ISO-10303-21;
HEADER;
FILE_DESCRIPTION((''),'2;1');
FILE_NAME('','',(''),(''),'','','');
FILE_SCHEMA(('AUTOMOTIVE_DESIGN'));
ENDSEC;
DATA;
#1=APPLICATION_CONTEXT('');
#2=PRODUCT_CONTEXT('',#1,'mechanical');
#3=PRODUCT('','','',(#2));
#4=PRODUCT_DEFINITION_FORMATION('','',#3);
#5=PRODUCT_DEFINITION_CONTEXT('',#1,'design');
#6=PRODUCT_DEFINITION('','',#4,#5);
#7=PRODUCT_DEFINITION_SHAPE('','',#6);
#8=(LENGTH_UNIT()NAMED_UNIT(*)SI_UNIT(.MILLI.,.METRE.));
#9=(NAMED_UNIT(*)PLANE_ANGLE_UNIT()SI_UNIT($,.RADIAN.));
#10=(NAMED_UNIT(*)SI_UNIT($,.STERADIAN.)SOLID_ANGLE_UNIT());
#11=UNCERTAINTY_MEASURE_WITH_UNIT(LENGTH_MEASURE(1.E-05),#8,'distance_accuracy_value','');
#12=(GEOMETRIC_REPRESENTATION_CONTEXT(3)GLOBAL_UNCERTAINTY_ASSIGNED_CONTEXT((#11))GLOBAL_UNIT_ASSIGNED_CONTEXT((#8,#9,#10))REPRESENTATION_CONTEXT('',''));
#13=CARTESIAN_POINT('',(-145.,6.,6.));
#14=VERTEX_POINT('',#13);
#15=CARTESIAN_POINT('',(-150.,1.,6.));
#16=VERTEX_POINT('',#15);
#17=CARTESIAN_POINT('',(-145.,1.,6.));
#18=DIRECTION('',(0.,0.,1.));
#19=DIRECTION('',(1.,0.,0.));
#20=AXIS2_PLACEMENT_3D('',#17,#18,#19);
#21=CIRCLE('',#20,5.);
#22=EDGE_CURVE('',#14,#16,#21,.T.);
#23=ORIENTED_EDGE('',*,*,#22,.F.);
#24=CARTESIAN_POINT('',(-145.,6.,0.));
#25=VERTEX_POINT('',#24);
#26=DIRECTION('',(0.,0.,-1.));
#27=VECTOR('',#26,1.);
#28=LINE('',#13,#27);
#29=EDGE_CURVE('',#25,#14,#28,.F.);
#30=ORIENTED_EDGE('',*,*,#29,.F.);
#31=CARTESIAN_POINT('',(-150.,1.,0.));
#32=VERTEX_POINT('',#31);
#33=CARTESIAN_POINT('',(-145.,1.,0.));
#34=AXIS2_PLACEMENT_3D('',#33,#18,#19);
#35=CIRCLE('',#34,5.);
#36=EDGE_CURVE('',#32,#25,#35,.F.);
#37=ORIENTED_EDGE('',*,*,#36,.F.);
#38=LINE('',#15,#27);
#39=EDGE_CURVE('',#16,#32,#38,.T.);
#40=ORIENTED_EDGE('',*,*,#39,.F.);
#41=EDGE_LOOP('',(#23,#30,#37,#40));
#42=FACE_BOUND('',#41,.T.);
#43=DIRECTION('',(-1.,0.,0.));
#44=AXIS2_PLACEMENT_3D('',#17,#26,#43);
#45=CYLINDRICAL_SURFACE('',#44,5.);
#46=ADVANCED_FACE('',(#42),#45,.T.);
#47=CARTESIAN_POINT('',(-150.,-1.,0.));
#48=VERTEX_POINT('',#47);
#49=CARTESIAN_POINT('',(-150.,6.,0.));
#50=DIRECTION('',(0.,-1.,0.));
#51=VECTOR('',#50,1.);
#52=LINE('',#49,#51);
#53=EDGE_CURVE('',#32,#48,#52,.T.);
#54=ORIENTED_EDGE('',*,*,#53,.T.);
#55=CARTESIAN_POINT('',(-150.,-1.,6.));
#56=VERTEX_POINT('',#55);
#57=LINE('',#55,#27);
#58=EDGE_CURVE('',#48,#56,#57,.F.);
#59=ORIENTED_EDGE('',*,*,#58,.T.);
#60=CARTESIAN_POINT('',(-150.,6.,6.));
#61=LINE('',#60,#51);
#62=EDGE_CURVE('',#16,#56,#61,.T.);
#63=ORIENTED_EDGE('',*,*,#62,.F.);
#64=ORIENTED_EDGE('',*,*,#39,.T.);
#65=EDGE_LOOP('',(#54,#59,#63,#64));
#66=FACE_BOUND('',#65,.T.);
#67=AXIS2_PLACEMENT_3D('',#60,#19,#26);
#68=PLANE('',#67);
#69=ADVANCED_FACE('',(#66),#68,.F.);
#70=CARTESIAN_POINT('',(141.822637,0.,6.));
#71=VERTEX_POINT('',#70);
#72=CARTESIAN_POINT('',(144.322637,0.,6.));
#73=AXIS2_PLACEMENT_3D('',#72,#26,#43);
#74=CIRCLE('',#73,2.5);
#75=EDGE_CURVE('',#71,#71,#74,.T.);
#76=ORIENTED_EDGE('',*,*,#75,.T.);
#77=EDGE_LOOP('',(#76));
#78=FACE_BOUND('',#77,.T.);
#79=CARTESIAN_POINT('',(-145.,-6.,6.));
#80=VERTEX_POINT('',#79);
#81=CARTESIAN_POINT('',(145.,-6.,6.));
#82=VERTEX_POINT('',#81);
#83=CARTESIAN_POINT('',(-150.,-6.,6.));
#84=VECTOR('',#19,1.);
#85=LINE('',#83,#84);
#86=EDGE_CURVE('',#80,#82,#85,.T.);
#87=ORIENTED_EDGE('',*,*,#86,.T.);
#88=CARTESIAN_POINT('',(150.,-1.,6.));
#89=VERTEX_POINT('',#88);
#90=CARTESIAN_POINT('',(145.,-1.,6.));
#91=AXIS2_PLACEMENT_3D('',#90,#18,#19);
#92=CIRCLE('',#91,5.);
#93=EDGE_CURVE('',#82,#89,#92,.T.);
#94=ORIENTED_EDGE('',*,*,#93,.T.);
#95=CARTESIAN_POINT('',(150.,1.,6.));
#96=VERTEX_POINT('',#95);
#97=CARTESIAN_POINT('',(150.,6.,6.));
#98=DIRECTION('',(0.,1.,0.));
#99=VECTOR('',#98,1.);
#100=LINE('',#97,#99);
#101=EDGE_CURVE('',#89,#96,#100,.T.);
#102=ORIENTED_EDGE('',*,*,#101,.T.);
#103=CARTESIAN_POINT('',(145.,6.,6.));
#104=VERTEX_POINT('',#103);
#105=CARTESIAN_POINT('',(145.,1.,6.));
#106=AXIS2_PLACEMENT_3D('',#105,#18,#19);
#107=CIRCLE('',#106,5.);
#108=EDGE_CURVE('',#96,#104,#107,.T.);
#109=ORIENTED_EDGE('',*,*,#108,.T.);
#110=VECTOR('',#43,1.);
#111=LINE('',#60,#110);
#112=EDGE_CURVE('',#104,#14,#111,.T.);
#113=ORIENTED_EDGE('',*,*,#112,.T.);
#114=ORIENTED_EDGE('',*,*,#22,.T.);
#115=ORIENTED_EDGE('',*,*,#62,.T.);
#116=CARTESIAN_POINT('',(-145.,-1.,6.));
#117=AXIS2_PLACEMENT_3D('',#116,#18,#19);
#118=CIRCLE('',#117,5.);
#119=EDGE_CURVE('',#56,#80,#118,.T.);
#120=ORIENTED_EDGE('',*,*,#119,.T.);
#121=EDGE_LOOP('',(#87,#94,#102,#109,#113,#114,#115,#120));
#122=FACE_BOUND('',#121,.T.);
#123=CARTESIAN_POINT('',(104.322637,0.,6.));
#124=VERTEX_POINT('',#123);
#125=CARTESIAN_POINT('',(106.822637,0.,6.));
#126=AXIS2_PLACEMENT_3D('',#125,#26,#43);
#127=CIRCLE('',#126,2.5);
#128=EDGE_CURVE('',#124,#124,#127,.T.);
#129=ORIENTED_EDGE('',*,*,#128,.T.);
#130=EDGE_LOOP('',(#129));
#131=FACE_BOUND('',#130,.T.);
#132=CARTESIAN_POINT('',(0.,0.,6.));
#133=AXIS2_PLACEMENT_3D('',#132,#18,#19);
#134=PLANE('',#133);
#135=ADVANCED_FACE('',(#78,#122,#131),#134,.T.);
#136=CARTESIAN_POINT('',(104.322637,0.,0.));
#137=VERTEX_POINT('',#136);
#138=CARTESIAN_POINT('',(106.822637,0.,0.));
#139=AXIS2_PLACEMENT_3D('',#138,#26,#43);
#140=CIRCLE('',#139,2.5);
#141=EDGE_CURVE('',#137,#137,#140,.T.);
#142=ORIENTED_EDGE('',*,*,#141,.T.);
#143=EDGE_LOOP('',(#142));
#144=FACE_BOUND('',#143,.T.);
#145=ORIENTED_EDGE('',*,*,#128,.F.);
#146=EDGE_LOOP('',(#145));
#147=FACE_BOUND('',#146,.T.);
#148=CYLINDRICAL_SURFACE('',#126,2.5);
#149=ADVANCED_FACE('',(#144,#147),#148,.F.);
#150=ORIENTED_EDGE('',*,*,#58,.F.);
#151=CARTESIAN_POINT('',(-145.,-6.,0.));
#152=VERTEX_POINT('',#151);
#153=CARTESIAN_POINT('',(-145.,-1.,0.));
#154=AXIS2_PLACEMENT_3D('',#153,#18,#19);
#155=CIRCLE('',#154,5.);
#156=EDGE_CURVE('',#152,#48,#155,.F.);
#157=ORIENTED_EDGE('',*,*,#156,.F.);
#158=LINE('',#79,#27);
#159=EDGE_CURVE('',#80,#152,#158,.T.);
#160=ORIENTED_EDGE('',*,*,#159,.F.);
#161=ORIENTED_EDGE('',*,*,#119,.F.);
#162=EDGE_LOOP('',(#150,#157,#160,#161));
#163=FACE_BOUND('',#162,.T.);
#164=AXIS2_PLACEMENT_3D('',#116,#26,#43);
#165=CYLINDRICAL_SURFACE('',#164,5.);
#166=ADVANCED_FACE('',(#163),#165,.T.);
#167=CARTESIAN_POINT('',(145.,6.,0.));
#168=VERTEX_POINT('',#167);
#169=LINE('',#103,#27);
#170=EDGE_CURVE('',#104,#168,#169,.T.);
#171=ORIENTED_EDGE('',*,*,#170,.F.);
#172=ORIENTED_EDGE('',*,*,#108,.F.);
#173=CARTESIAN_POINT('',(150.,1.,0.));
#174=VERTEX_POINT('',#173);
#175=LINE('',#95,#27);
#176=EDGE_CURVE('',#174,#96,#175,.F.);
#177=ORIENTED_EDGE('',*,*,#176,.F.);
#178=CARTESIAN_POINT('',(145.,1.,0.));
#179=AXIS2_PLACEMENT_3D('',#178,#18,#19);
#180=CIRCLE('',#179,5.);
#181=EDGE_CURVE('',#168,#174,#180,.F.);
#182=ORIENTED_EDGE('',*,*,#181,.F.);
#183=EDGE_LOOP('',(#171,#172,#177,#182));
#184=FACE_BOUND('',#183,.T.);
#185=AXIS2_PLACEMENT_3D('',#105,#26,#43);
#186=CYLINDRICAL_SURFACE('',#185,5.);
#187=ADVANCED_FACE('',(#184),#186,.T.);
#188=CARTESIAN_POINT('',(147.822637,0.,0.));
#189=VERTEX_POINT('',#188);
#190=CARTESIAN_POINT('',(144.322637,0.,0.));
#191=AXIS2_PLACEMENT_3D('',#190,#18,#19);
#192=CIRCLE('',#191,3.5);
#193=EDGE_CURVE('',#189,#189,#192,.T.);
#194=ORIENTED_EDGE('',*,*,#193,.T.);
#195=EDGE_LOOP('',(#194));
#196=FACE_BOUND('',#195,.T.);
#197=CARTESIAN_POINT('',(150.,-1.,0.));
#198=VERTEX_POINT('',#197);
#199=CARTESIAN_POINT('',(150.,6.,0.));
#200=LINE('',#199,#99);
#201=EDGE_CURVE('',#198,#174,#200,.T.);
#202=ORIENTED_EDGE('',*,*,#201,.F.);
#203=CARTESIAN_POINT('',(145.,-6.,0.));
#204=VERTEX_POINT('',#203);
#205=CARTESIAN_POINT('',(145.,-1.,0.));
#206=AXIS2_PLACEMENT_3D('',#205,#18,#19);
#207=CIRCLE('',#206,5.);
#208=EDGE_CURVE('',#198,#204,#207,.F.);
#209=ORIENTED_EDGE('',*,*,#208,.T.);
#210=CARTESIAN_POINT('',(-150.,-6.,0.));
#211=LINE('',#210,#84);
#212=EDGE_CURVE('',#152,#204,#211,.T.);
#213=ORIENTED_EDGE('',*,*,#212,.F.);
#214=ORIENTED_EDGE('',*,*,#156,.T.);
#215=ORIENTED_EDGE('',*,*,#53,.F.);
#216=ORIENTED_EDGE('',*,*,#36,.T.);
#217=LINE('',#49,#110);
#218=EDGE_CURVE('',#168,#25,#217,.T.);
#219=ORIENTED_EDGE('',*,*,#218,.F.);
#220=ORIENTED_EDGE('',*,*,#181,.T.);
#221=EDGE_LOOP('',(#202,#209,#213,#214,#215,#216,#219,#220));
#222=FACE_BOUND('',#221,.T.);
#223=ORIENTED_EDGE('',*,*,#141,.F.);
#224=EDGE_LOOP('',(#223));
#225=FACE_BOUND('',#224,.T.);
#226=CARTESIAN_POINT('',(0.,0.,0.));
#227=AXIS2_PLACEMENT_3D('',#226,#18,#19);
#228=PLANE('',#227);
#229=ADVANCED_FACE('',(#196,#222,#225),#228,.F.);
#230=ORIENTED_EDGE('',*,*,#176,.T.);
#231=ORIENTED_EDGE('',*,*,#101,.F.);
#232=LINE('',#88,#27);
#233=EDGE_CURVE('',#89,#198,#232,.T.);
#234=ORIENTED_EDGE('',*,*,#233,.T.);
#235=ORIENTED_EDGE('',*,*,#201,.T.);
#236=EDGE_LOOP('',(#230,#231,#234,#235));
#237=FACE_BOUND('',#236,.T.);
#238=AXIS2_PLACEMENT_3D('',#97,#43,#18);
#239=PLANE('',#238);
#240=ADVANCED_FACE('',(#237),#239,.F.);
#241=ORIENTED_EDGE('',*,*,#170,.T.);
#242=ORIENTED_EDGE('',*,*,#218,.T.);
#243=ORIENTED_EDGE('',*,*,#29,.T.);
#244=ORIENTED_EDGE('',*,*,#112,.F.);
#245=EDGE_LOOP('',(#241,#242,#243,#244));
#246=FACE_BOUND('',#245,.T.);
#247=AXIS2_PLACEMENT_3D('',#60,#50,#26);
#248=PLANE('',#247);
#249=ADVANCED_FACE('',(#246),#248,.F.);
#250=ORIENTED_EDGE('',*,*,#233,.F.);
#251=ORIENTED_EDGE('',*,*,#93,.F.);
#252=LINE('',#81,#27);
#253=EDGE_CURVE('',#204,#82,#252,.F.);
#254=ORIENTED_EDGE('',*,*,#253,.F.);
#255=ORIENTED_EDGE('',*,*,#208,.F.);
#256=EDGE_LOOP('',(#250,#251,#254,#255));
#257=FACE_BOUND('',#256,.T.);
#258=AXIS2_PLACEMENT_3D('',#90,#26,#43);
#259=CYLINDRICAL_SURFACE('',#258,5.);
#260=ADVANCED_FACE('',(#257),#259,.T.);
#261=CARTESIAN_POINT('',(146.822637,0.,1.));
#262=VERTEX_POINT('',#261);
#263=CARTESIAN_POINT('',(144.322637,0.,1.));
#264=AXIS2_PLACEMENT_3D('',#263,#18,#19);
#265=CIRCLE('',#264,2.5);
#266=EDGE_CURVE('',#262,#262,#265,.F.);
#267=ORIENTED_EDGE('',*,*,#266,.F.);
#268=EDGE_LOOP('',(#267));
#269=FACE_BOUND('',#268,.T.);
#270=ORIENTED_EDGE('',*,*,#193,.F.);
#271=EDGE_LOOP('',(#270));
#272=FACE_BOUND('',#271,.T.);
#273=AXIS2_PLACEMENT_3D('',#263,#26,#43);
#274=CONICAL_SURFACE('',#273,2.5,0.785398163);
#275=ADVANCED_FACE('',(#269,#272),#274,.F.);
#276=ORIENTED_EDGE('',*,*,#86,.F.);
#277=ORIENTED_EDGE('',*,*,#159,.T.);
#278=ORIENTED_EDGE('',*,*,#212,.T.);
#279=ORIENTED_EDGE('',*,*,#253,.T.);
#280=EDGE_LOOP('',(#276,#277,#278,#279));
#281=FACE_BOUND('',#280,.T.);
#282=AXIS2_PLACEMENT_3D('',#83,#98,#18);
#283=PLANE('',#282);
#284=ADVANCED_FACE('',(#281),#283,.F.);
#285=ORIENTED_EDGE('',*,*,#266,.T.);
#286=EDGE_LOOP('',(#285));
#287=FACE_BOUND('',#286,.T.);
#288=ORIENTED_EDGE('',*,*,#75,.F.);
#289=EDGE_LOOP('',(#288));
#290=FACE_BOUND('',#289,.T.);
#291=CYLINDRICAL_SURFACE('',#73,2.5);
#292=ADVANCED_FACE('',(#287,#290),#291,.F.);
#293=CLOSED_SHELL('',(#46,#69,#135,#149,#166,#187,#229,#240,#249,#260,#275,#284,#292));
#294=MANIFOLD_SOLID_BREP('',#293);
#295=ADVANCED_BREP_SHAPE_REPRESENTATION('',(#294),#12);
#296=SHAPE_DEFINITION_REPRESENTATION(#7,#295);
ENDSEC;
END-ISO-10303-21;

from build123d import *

# Parameters (mm, degrees)
SKETCH1_W           = 300
SKETCH1_H           = 12
BOSS_EXTRUDE1_DEPTH = 6
FILLET1_R           = 5
SKETCH2_R           = 2.5
CUT_EXTRUDE1_DEPTH  = 6
CHAMFER2_SIZE       = 1


with BuildPart() as part:
    # Sketch1 → Boss-Extrude1 (new body)
    with BuildSketch(Plane.XY):
        Rectangle(SKETCH1_W, SKETCH1_H)
    extrude(amount=BOSS_EXTRUDE1_DEPTH)

    # Fillet1
    fillet1_edges = [part.edges().sort_by_distance(p)[0] for p in [
        (150, -6, 3),
        (-150, -6, 3),
        (-150, 6, 3),
        (150, 6, 3),
    ]]
    fillet(fillet1_edges, radius=FILLET1_R)

    # Sketch2 → Cut-Extrude1 (cut)
    with BuildSketch(Plane(origin=(0, 0, 0), x_dir=(-1, 0, 0), z_dir=(0, 0, -1))):
        with Locations((-144.32263712, 0)):
            Circle(SKETCH2_R)
        with Locations((-106.82263712, 0)):
            Circle(SKETCH2_R)
    extrude(amount=-CUT_EXTRUDE1_DEPTH, mode=Mode.SUBTRACT)

    # Chamfer2
    chamfer2_edges = [part.edges().sort_by_distance(p)[0] for p in [
        (146.82263712, 0, 0),
    ]]
    chamfer(chamfer2_edges, length=CHAMFER2_SIZE)


solid = part.part
